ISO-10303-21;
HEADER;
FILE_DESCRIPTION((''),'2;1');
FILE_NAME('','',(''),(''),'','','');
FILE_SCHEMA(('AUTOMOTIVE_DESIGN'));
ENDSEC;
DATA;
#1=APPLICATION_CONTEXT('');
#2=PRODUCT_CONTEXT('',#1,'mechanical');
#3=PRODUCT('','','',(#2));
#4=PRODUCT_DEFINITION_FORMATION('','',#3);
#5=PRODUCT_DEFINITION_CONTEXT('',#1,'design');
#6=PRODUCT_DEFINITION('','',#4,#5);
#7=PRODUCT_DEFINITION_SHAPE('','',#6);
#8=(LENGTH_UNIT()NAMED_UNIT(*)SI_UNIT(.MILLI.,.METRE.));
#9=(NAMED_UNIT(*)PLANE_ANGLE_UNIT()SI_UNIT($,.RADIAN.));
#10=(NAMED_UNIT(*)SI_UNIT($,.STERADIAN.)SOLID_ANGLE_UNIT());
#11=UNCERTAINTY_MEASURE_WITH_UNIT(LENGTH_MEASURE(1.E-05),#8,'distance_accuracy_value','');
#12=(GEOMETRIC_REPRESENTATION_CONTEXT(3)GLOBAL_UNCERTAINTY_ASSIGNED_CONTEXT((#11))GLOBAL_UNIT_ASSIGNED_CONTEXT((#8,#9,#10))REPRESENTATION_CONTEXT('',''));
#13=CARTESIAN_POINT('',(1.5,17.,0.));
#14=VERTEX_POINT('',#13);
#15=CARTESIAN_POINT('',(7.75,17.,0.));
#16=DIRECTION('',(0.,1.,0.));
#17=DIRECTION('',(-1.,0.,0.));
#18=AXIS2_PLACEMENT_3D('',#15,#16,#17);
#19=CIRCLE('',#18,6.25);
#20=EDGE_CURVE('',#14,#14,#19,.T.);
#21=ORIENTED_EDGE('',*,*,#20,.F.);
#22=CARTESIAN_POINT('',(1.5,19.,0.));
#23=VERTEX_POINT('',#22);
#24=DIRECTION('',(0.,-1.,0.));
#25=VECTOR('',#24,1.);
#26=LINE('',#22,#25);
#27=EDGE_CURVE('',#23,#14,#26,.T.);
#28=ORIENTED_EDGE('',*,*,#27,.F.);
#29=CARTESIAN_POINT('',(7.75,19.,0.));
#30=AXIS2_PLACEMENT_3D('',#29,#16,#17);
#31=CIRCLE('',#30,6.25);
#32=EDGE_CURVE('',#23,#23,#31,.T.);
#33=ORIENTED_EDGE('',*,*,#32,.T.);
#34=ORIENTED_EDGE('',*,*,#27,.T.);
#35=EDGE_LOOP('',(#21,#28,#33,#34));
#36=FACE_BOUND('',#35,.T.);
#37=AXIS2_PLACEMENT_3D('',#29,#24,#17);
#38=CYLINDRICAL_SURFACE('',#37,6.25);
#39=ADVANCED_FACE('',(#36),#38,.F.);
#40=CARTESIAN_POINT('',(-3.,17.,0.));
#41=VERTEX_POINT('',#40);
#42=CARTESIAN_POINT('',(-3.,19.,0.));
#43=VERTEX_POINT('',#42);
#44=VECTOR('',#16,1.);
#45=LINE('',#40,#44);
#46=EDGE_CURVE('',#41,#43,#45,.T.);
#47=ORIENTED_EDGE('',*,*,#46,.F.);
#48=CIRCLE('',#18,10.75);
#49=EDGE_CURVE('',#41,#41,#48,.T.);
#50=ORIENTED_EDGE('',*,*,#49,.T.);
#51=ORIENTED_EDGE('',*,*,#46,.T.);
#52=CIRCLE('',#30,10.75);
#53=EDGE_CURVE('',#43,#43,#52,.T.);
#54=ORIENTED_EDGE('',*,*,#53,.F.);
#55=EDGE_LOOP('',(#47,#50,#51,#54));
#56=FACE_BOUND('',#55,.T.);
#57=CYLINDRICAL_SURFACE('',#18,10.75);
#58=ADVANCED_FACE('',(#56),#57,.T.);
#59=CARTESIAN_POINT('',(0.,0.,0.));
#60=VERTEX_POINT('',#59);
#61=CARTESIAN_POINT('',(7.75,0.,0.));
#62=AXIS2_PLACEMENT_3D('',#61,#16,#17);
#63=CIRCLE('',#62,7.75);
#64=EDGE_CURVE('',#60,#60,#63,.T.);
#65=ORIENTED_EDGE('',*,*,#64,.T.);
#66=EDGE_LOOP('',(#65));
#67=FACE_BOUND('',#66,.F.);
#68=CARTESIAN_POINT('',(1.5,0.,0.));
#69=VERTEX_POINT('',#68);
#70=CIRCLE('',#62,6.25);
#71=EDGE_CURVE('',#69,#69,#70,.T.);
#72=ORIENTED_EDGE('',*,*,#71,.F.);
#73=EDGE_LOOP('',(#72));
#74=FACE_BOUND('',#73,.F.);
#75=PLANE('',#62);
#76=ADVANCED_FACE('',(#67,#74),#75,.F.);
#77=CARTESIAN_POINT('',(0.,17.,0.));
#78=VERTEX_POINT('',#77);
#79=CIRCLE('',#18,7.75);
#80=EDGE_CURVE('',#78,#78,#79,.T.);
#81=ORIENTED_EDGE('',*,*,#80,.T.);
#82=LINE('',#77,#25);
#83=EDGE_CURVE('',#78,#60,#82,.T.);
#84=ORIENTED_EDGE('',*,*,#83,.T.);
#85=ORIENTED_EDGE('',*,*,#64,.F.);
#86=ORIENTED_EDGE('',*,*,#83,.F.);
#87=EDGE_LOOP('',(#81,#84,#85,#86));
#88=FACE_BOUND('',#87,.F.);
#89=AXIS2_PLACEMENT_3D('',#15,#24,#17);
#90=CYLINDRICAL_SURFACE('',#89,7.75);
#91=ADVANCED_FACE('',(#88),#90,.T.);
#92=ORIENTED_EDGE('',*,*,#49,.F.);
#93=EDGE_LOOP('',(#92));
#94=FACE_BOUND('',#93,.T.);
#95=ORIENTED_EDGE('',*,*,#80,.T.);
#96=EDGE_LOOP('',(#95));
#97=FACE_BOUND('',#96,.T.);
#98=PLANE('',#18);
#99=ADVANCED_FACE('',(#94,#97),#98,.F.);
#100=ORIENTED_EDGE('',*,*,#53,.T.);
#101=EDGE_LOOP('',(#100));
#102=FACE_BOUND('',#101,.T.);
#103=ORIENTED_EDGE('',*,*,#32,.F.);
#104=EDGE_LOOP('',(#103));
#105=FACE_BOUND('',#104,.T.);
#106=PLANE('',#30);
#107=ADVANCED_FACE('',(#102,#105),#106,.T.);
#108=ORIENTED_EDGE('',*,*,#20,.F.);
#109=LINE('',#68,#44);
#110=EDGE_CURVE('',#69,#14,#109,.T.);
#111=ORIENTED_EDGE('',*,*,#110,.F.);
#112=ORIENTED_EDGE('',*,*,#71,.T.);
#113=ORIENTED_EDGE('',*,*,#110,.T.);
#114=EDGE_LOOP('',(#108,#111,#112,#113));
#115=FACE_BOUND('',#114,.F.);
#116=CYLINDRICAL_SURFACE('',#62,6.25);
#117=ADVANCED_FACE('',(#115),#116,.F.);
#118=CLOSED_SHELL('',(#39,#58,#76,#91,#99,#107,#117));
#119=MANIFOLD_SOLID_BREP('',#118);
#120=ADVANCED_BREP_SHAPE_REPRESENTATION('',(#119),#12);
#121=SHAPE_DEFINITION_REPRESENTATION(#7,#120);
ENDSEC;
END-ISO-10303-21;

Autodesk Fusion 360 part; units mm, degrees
sketch "Sketch tranche" plane through (0, 0, 0) normal (0, 0, 1) x (1, 0, 0)
  line L0 (0, 0) -> (1.5, 0)
  line L1 (1.5, 0) -> (1.5, 17)
  line L2 (1.5, 17) -> (0, 17)
  line L3 (0, 17) -> (0, 0)
  line L4 (7.75, 0) -> (7.75, 16)
  line L5 (1.5, 17) -> (-3, 17)
  line L6 (-3, 17) -> (-3, 19)
  line L7 (-3, 19) -> (1.5, 19)
  line L8 (1.5, 19) -> (1.5, 17)
  dimension "d1" = 1.5
  dimension "d2" = 17
  dimension "d3" = 7.75
  dimension "d4" = 3
  dimension "d5" = 2
revolve "Revolve1" add sketch "Sketch tranche" angle 360 about axis through (7.75, 0, 0) along (0, 1, 0)
